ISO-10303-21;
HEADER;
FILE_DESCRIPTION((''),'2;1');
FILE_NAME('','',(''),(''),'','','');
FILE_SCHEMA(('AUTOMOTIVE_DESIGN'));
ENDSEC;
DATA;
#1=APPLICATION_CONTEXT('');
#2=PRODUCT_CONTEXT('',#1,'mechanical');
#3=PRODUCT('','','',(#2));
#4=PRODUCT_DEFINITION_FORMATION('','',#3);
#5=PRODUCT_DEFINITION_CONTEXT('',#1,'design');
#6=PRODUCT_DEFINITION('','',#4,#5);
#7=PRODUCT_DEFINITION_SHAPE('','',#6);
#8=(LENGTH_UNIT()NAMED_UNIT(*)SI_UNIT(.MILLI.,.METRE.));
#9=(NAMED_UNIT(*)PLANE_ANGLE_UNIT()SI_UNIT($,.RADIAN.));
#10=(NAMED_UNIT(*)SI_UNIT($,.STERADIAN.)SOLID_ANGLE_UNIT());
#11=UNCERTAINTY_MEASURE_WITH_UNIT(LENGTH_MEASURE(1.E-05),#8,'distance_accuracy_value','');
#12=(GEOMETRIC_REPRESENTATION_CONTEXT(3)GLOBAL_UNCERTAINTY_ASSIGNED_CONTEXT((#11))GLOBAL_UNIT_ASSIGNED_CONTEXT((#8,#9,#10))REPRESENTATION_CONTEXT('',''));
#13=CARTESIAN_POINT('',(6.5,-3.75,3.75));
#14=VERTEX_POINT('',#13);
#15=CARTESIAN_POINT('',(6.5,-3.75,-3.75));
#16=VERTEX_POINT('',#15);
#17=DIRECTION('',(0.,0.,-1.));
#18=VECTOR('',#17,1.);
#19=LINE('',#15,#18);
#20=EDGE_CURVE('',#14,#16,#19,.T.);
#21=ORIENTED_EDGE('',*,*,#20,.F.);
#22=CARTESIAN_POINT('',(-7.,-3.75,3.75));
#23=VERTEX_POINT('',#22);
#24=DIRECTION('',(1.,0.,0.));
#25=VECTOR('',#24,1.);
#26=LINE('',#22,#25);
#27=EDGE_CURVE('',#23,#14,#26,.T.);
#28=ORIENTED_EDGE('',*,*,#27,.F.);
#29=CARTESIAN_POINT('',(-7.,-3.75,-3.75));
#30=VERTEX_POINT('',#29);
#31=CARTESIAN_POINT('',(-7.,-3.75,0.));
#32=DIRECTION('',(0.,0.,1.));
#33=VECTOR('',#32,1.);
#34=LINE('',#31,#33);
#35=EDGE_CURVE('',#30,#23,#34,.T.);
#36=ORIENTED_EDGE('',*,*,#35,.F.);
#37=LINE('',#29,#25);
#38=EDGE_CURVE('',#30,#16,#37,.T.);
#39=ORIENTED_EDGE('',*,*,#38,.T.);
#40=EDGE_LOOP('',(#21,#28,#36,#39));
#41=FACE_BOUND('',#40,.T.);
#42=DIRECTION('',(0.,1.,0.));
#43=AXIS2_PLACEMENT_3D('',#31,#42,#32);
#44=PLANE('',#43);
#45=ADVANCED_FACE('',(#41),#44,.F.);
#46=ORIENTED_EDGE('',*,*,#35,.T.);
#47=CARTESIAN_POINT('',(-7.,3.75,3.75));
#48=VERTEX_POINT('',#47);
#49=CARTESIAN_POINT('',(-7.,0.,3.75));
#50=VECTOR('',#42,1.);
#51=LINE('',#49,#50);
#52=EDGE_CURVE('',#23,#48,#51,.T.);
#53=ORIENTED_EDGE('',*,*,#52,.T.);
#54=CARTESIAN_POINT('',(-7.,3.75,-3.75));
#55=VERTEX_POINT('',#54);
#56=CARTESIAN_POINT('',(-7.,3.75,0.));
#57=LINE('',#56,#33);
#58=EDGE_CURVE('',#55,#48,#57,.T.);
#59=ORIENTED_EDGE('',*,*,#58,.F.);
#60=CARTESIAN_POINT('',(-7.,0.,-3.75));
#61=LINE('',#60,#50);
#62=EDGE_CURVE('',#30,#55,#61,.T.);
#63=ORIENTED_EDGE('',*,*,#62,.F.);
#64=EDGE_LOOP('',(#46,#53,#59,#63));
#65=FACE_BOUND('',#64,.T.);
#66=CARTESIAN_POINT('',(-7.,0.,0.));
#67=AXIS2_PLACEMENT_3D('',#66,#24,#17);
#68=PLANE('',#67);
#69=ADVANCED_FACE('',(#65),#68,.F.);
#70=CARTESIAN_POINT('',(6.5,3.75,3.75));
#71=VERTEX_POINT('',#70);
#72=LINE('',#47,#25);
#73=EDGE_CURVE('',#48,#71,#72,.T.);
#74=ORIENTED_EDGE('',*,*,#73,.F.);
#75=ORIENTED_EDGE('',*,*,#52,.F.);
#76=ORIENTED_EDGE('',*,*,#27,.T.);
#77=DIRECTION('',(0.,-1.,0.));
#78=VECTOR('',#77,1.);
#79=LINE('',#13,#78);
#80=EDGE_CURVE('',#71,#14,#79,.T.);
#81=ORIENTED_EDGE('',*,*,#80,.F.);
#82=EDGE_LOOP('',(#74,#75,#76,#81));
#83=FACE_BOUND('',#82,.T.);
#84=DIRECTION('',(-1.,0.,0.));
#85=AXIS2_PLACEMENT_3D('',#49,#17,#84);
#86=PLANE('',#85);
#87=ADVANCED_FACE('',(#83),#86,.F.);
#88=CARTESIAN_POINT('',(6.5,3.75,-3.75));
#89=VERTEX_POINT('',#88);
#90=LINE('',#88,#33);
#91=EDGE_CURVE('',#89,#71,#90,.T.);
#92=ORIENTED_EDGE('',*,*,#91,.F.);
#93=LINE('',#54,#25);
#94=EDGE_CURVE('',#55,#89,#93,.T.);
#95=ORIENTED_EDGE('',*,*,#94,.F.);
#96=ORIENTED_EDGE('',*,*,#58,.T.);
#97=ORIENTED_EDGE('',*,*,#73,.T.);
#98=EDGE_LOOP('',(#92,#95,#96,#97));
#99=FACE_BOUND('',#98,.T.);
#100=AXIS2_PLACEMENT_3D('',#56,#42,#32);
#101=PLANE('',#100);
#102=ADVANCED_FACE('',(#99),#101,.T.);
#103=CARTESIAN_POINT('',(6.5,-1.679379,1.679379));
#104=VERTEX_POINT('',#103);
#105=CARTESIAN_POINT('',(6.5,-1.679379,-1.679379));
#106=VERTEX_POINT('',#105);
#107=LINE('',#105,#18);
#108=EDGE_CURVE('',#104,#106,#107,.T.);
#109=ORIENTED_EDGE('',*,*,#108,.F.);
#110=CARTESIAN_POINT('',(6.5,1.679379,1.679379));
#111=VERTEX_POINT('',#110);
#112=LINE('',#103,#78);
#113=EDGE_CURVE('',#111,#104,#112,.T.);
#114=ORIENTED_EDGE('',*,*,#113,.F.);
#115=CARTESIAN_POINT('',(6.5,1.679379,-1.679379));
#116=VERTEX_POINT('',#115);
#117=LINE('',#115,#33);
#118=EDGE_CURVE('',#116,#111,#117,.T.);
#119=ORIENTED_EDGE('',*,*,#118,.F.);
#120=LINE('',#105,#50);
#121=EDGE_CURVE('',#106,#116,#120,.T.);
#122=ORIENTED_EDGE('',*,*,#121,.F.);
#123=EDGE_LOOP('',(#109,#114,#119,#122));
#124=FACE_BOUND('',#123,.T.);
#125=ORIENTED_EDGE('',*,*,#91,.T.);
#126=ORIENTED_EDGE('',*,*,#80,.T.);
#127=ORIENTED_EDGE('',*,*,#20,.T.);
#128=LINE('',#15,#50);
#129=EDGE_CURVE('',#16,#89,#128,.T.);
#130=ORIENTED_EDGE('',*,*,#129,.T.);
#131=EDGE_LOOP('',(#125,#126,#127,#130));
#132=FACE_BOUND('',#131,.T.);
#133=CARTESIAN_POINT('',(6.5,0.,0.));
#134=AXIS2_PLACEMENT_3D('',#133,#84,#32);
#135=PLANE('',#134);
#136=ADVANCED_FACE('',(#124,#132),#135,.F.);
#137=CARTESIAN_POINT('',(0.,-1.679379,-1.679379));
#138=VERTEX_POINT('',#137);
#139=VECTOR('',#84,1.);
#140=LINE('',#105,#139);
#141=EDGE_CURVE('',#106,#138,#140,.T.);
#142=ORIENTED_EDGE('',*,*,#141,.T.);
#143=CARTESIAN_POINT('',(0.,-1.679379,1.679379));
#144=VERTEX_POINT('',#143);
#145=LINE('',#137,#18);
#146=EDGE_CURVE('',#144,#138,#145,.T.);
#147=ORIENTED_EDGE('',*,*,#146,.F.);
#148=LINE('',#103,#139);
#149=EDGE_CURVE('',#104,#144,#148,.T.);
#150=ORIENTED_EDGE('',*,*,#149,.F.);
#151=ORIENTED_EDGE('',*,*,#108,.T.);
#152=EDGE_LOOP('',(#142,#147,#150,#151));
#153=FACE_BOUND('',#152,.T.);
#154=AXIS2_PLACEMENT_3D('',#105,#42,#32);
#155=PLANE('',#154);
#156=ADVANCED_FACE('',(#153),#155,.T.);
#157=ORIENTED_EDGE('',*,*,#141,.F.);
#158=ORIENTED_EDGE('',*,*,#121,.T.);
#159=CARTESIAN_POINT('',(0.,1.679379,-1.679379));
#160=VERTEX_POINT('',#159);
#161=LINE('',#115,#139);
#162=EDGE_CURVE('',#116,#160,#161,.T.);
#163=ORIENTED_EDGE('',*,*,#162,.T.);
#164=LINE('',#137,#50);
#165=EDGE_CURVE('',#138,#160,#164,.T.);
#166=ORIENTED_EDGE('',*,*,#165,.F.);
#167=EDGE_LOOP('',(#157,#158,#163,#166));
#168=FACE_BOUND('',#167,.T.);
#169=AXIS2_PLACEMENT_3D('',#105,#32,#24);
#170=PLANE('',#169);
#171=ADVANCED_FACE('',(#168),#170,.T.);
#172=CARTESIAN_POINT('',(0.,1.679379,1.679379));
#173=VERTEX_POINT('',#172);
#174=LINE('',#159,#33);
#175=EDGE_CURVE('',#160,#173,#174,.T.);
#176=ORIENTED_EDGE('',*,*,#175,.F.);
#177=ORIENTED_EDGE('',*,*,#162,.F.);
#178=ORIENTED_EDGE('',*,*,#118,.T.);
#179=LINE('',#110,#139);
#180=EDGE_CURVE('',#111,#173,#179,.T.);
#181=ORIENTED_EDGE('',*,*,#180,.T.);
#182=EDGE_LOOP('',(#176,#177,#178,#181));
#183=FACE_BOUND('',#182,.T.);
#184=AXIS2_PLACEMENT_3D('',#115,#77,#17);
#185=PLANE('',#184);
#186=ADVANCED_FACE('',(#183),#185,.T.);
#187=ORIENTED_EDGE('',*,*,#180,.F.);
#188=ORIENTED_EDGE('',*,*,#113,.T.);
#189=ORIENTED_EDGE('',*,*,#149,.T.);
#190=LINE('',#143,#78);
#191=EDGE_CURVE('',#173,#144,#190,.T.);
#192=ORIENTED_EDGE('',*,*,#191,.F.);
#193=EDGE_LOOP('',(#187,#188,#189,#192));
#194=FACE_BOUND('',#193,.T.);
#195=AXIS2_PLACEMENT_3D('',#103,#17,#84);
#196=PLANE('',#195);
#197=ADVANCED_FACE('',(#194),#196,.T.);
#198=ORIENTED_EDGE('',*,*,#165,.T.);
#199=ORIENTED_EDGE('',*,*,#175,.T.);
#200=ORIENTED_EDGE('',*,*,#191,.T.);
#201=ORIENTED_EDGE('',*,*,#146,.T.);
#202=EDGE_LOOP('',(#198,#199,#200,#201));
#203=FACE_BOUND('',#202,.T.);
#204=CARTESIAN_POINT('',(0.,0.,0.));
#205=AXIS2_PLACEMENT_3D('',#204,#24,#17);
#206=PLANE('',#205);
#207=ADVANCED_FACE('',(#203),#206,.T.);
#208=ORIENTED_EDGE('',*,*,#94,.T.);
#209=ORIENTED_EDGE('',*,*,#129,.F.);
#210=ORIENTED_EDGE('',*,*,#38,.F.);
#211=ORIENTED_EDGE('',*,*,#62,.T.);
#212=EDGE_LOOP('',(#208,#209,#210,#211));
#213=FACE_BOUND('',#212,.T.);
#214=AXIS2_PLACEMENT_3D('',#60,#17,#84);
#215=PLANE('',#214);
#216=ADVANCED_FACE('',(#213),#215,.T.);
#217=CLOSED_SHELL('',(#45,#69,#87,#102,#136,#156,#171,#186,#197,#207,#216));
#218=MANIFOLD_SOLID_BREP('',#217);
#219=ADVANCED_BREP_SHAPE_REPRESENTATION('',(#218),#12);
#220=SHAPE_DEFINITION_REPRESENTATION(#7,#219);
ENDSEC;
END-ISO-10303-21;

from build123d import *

# Parameters (mm, degrees)
CROQUIS1_W              = 7.5
CROQUIS1_H              = 7.5
SALIENTE_EXTRUIR1_DEPTH = 7
CROQUIS1_3_W            = 7.5
CROQUIS1_3_H            = 7.5
CROQUIS1_3_W_2          = 3.35875721
CROQUIS1_3_H_2          = 3.35875721
SALIENTE_EXTRUIR2_DEPTH = 6.5


with BuildPart() as part:
    # Croquis1 → Saliente-Extruir1 (new body)
    with BuildSketch(Plane.YZ):
        Rectangle(CROQUIS1_W, CROQUIS1_H)
    extrude(amount=-SALIENTE_EXTRUIR1_DEPTH)

    # Croquis1<3> → Saliente-Extruir2 (add)
    with BuildSketch(Plane.YZ):
        Rectangle(CROQUIS1_3_W, CROQUIS1_3_H)
        Rectangle(CROQUIS1_3_W_2, CROQUIS1_3_H_2, mode=Mode.SUBTRACT)
    extrude(amount=SALIENTE_EXTRUIR2_DEPTH)


solid = part.part
